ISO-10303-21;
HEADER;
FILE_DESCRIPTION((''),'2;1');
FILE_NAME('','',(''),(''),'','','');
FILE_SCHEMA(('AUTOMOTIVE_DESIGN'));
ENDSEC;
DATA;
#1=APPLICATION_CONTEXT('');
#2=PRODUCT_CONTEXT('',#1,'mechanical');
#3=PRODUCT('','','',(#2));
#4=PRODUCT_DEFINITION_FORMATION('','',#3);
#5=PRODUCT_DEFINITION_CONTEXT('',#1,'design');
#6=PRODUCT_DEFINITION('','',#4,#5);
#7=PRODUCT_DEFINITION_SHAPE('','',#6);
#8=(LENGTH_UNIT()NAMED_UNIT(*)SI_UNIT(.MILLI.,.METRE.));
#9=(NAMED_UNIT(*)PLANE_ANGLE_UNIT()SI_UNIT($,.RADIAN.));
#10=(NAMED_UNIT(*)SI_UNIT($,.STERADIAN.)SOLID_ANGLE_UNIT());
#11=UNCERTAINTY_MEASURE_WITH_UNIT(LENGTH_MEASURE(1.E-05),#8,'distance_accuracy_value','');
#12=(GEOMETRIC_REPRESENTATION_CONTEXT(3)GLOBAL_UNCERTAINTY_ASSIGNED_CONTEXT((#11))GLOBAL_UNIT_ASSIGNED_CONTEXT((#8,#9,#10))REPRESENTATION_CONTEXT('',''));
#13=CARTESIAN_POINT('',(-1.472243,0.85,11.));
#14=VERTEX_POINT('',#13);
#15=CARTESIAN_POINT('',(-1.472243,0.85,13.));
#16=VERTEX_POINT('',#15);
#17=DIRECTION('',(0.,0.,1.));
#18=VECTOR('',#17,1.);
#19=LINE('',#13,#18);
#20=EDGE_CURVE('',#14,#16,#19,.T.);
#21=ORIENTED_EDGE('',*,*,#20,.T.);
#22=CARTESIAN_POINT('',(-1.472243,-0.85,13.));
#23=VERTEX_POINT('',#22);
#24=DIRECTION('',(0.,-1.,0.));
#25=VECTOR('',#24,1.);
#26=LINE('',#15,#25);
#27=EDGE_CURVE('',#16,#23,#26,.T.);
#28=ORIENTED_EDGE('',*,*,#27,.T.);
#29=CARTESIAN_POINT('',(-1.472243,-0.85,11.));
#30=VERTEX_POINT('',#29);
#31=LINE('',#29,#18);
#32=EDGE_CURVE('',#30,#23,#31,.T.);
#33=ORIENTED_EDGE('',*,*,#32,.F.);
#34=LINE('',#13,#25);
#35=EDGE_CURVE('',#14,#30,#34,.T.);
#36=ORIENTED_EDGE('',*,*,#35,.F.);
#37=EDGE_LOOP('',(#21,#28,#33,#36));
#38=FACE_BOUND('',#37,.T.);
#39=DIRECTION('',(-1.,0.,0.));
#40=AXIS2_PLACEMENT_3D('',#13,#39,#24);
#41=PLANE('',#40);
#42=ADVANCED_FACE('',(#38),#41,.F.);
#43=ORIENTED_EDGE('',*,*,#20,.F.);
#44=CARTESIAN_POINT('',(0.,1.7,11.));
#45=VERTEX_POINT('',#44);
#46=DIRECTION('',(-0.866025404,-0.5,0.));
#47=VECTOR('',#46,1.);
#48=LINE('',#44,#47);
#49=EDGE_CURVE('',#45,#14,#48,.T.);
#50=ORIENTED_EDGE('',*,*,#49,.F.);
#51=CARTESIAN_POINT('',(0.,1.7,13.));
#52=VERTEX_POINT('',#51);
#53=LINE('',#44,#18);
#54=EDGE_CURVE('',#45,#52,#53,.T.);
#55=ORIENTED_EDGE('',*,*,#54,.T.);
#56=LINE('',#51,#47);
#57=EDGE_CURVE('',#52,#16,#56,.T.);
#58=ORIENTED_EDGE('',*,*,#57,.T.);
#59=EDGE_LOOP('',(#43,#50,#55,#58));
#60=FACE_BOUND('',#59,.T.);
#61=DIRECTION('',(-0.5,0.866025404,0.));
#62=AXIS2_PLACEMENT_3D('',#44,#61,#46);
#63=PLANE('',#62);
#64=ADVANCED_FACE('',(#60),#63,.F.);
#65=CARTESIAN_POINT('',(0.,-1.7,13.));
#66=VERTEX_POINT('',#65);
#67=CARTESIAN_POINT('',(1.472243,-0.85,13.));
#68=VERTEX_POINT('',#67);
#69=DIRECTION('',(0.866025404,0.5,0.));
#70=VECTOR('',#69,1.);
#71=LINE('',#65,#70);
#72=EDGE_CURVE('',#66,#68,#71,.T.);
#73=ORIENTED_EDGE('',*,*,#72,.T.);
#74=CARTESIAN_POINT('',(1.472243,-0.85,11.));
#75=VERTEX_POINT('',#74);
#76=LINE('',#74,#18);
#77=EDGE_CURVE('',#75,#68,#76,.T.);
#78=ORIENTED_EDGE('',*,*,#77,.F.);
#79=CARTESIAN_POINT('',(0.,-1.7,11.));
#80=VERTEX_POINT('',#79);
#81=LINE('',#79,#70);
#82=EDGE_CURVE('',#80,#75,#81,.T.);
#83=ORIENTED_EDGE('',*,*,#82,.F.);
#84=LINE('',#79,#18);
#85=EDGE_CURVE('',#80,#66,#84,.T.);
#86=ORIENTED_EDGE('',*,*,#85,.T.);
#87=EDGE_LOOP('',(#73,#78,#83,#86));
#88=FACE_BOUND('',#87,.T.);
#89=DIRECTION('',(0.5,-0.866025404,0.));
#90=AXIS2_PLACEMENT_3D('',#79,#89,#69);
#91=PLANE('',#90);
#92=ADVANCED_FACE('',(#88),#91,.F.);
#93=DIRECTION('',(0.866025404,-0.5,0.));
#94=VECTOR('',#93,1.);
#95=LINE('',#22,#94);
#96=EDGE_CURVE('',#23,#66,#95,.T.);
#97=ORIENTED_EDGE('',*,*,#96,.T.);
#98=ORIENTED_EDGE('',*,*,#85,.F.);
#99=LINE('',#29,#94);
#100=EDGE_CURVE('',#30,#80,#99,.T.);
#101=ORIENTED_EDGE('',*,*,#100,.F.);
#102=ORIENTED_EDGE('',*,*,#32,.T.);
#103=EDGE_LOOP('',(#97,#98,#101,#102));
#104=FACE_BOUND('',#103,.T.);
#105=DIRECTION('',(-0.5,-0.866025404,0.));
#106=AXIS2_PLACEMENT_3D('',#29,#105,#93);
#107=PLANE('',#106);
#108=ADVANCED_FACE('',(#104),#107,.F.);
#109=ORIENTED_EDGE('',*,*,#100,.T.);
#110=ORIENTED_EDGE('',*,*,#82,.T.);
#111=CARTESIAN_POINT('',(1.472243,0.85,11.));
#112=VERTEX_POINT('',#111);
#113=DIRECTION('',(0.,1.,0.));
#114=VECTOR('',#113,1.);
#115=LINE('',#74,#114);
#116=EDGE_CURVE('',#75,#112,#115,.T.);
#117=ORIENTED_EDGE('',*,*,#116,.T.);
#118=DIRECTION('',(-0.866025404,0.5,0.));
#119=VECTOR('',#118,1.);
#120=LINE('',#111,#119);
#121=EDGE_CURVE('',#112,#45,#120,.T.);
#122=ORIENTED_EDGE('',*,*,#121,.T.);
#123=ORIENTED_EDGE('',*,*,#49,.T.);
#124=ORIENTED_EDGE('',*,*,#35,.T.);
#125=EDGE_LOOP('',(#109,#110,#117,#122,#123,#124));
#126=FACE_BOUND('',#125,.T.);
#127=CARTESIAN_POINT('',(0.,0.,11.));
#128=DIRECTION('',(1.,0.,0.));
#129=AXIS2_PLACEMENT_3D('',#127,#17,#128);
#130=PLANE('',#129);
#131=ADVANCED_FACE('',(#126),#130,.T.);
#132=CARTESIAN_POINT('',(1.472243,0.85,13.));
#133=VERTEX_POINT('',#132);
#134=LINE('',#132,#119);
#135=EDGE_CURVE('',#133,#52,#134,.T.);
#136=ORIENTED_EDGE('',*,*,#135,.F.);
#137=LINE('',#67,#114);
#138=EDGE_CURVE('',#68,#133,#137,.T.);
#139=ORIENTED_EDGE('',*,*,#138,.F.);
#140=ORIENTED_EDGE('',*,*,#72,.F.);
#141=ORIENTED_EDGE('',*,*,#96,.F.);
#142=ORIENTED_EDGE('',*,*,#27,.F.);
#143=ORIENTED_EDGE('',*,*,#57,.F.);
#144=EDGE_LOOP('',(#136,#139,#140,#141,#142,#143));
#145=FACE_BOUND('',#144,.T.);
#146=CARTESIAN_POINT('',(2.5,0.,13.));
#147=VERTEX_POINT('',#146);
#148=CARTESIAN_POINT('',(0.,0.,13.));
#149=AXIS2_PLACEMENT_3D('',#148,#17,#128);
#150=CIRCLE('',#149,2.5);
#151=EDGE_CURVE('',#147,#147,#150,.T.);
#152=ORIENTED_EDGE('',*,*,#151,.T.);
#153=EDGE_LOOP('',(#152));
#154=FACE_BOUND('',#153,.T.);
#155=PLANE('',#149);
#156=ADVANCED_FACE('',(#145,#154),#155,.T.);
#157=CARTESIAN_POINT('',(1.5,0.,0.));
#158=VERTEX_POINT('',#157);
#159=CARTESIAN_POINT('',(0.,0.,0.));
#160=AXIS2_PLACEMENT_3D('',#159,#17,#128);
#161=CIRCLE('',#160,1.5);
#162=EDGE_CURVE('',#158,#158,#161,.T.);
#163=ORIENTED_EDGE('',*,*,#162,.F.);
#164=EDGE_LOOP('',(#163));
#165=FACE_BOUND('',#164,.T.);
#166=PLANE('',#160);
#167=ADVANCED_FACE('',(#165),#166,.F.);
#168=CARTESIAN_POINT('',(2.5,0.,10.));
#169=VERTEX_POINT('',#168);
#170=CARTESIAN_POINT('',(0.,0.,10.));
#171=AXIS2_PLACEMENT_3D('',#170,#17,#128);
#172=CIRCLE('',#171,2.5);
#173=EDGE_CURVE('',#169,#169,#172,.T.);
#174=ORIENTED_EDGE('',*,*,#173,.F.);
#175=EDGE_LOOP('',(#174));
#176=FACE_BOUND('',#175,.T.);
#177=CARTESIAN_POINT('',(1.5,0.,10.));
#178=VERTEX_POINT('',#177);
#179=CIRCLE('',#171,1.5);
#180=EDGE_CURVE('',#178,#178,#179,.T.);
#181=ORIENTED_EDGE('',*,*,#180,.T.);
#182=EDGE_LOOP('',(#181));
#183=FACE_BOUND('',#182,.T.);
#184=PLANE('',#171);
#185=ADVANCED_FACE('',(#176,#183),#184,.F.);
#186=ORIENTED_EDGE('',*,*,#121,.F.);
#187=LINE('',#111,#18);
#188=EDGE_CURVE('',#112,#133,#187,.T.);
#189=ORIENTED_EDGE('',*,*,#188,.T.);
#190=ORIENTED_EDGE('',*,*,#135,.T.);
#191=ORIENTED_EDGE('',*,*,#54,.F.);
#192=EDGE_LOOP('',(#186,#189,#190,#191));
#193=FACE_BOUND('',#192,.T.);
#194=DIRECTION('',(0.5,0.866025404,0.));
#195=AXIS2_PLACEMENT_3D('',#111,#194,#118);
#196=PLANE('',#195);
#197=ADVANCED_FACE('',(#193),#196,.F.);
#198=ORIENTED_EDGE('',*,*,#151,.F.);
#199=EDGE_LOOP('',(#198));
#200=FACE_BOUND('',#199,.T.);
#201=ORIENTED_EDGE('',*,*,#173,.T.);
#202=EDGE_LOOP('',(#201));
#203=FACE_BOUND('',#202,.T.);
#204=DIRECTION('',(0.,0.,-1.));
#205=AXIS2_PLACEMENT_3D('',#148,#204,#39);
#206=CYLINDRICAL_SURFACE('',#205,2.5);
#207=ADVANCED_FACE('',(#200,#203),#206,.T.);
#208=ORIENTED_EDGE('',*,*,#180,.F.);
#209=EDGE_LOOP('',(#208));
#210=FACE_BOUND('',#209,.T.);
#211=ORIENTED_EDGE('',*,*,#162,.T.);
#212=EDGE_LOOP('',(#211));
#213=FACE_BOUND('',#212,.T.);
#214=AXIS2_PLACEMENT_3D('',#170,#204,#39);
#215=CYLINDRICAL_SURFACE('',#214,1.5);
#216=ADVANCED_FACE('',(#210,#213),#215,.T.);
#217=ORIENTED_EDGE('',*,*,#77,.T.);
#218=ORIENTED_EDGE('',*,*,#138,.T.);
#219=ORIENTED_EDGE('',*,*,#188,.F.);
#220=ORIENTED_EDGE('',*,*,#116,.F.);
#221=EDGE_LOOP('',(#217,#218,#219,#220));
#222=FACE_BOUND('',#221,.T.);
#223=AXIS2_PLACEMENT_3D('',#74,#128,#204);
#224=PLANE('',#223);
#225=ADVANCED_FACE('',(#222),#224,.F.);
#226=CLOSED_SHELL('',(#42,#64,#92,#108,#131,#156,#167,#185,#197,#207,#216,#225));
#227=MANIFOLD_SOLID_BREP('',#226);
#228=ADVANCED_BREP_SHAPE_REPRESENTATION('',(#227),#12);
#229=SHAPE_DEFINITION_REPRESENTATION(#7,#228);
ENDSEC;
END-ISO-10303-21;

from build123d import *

# Parameters (mm, degrees)
SKETCH_1_R          = 1.5
EXTRUDE_1_DEPTH     = 10
SKETCH_2_R          = 2.5
EXTRUDE_2_DEPTH     = 3
CUT_EXTRUDE_1_DEPTH = 2


with BuildPart() as part:
    # 草图1 → 凸台-拉伸1 (new body)
    with BuildSketch(Plane.XY):
        Circle(SKETCH_1_R)
    extrude(amount=EXTRUDE_1_DEPTH)

    # 草图2 → 凸台-拉伸2 (add)
    with BuildSketch(Plane.XY.offset(10)):
        Circle(SKETCH_2_R)
    extrude(amount=EXTRUDE_2_DEPTH)

    # 草图3 → 切除-拉伸1 (cut)
    with BuildSketch(Plane.XY.offset(13)):
        Polygon((0, 1.7), (-1.472243186, 0.85), (-1.472243186, -0.85), (0, -1.7), (1.472243186, -0.85), (1.472243186, 0.85), align=None)
    extrude(amount=-CUT_EXTRUDE_1_DEPTH, mode=Mode.SUBTRACT)


solid = part.part
